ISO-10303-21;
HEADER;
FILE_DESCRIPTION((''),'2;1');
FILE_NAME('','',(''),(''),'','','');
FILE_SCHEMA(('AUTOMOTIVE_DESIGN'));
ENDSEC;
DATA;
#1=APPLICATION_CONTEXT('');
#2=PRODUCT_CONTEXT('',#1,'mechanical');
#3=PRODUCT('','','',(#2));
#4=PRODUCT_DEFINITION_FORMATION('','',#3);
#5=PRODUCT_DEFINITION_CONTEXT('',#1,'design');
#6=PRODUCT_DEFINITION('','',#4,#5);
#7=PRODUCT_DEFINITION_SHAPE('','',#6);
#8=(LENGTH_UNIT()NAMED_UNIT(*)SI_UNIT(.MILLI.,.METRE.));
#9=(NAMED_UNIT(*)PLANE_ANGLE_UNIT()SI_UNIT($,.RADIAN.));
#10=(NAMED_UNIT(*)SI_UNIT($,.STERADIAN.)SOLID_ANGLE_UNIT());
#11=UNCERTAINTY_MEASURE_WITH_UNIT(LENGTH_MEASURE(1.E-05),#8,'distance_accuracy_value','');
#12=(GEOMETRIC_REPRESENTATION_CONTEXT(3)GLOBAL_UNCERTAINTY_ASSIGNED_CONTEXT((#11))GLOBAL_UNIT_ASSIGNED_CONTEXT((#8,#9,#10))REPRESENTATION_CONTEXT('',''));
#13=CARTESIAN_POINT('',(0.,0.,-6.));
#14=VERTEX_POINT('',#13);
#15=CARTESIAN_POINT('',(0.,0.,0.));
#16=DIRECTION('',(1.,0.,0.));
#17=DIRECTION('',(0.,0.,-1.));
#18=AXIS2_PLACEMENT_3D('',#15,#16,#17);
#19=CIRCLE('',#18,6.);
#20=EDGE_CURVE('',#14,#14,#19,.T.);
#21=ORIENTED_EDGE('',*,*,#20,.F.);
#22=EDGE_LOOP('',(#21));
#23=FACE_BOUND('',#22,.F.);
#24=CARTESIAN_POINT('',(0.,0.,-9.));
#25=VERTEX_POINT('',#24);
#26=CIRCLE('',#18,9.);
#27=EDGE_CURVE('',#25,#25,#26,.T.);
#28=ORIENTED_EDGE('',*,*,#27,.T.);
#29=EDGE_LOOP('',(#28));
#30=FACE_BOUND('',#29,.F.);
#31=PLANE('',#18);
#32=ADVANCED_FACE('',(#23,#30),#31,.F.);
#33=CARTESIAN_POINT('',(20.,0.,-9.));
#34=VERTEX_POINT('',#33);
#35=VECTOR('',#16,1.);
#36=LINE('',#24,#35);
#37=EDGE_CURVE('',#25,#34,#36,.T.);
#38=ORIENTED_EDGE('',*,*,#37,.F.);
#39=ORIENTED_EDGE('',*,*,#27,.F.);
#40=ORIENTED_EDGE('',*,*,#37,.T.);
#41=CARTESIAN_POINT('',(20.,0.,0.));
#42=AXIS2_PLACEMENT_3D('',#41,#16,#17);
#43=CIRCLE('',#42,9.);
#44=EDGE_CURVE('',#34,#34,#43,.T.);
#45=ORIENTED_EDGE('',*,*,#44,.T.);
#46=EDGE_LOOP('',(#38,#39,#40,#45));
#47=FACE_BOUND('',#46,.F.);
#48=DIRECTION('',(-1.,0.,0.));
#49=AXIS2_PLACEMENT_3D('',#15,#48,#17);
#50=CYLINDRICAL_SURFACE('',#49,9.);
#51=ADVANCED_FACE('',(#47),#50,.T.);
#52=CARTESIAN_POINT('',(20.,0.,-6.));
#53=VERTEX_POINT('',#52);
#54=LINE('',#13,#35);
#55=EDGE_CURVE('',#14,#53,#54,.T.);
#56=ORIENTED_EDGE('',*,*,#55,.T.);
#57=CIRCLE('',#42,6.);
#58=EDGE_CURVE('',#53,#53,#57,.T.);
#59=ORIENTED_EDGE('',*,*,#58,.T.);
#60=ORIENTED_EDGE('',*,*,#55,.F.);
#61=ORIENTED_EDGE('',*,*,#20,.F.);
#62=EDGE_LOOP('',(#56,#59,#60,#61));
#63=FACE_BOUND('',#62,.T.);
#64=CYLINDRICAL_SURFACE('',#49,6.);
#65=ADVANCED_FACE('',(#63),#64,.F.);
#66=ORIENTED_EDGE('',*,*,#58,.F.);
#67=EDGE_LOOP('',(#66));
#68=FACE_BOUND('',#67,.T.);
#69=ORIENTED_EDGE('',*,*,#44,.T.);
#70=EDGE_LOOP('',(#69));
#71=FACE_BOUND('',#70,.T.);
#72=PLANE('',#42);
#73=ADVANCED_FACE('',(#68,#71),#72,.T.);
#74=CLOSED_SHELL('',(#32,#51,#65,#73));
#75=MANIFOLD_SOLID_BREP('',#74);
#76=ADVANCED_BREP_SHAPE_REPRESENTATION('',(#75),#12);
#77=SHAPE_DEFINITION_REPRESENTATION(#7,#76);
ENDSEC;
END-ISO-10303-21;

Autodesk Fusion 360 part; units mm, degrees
sketch "Sketch1" plane through (0, 0, 0) normal (1, 0, 0) x (0, 0, -1)
  circle A0 centre (0, 0) radius 6
  circle A1 centre (0, 0) radius 9
  dimension "d1" = 12
  dimension "d2" = 18
extrude "Extrude1" add sketch "Sketch1" along normal blind 20 makes body 1
copy_body "Body->Comp1" bodies 1 removing the originals makes body 2 in component "12x18x20 bushing"
component "12x18x20 bushing" placed x (1, 0, 0) y (0, 1, 0) z (0, 0, 1) at (0, 0, 0)
